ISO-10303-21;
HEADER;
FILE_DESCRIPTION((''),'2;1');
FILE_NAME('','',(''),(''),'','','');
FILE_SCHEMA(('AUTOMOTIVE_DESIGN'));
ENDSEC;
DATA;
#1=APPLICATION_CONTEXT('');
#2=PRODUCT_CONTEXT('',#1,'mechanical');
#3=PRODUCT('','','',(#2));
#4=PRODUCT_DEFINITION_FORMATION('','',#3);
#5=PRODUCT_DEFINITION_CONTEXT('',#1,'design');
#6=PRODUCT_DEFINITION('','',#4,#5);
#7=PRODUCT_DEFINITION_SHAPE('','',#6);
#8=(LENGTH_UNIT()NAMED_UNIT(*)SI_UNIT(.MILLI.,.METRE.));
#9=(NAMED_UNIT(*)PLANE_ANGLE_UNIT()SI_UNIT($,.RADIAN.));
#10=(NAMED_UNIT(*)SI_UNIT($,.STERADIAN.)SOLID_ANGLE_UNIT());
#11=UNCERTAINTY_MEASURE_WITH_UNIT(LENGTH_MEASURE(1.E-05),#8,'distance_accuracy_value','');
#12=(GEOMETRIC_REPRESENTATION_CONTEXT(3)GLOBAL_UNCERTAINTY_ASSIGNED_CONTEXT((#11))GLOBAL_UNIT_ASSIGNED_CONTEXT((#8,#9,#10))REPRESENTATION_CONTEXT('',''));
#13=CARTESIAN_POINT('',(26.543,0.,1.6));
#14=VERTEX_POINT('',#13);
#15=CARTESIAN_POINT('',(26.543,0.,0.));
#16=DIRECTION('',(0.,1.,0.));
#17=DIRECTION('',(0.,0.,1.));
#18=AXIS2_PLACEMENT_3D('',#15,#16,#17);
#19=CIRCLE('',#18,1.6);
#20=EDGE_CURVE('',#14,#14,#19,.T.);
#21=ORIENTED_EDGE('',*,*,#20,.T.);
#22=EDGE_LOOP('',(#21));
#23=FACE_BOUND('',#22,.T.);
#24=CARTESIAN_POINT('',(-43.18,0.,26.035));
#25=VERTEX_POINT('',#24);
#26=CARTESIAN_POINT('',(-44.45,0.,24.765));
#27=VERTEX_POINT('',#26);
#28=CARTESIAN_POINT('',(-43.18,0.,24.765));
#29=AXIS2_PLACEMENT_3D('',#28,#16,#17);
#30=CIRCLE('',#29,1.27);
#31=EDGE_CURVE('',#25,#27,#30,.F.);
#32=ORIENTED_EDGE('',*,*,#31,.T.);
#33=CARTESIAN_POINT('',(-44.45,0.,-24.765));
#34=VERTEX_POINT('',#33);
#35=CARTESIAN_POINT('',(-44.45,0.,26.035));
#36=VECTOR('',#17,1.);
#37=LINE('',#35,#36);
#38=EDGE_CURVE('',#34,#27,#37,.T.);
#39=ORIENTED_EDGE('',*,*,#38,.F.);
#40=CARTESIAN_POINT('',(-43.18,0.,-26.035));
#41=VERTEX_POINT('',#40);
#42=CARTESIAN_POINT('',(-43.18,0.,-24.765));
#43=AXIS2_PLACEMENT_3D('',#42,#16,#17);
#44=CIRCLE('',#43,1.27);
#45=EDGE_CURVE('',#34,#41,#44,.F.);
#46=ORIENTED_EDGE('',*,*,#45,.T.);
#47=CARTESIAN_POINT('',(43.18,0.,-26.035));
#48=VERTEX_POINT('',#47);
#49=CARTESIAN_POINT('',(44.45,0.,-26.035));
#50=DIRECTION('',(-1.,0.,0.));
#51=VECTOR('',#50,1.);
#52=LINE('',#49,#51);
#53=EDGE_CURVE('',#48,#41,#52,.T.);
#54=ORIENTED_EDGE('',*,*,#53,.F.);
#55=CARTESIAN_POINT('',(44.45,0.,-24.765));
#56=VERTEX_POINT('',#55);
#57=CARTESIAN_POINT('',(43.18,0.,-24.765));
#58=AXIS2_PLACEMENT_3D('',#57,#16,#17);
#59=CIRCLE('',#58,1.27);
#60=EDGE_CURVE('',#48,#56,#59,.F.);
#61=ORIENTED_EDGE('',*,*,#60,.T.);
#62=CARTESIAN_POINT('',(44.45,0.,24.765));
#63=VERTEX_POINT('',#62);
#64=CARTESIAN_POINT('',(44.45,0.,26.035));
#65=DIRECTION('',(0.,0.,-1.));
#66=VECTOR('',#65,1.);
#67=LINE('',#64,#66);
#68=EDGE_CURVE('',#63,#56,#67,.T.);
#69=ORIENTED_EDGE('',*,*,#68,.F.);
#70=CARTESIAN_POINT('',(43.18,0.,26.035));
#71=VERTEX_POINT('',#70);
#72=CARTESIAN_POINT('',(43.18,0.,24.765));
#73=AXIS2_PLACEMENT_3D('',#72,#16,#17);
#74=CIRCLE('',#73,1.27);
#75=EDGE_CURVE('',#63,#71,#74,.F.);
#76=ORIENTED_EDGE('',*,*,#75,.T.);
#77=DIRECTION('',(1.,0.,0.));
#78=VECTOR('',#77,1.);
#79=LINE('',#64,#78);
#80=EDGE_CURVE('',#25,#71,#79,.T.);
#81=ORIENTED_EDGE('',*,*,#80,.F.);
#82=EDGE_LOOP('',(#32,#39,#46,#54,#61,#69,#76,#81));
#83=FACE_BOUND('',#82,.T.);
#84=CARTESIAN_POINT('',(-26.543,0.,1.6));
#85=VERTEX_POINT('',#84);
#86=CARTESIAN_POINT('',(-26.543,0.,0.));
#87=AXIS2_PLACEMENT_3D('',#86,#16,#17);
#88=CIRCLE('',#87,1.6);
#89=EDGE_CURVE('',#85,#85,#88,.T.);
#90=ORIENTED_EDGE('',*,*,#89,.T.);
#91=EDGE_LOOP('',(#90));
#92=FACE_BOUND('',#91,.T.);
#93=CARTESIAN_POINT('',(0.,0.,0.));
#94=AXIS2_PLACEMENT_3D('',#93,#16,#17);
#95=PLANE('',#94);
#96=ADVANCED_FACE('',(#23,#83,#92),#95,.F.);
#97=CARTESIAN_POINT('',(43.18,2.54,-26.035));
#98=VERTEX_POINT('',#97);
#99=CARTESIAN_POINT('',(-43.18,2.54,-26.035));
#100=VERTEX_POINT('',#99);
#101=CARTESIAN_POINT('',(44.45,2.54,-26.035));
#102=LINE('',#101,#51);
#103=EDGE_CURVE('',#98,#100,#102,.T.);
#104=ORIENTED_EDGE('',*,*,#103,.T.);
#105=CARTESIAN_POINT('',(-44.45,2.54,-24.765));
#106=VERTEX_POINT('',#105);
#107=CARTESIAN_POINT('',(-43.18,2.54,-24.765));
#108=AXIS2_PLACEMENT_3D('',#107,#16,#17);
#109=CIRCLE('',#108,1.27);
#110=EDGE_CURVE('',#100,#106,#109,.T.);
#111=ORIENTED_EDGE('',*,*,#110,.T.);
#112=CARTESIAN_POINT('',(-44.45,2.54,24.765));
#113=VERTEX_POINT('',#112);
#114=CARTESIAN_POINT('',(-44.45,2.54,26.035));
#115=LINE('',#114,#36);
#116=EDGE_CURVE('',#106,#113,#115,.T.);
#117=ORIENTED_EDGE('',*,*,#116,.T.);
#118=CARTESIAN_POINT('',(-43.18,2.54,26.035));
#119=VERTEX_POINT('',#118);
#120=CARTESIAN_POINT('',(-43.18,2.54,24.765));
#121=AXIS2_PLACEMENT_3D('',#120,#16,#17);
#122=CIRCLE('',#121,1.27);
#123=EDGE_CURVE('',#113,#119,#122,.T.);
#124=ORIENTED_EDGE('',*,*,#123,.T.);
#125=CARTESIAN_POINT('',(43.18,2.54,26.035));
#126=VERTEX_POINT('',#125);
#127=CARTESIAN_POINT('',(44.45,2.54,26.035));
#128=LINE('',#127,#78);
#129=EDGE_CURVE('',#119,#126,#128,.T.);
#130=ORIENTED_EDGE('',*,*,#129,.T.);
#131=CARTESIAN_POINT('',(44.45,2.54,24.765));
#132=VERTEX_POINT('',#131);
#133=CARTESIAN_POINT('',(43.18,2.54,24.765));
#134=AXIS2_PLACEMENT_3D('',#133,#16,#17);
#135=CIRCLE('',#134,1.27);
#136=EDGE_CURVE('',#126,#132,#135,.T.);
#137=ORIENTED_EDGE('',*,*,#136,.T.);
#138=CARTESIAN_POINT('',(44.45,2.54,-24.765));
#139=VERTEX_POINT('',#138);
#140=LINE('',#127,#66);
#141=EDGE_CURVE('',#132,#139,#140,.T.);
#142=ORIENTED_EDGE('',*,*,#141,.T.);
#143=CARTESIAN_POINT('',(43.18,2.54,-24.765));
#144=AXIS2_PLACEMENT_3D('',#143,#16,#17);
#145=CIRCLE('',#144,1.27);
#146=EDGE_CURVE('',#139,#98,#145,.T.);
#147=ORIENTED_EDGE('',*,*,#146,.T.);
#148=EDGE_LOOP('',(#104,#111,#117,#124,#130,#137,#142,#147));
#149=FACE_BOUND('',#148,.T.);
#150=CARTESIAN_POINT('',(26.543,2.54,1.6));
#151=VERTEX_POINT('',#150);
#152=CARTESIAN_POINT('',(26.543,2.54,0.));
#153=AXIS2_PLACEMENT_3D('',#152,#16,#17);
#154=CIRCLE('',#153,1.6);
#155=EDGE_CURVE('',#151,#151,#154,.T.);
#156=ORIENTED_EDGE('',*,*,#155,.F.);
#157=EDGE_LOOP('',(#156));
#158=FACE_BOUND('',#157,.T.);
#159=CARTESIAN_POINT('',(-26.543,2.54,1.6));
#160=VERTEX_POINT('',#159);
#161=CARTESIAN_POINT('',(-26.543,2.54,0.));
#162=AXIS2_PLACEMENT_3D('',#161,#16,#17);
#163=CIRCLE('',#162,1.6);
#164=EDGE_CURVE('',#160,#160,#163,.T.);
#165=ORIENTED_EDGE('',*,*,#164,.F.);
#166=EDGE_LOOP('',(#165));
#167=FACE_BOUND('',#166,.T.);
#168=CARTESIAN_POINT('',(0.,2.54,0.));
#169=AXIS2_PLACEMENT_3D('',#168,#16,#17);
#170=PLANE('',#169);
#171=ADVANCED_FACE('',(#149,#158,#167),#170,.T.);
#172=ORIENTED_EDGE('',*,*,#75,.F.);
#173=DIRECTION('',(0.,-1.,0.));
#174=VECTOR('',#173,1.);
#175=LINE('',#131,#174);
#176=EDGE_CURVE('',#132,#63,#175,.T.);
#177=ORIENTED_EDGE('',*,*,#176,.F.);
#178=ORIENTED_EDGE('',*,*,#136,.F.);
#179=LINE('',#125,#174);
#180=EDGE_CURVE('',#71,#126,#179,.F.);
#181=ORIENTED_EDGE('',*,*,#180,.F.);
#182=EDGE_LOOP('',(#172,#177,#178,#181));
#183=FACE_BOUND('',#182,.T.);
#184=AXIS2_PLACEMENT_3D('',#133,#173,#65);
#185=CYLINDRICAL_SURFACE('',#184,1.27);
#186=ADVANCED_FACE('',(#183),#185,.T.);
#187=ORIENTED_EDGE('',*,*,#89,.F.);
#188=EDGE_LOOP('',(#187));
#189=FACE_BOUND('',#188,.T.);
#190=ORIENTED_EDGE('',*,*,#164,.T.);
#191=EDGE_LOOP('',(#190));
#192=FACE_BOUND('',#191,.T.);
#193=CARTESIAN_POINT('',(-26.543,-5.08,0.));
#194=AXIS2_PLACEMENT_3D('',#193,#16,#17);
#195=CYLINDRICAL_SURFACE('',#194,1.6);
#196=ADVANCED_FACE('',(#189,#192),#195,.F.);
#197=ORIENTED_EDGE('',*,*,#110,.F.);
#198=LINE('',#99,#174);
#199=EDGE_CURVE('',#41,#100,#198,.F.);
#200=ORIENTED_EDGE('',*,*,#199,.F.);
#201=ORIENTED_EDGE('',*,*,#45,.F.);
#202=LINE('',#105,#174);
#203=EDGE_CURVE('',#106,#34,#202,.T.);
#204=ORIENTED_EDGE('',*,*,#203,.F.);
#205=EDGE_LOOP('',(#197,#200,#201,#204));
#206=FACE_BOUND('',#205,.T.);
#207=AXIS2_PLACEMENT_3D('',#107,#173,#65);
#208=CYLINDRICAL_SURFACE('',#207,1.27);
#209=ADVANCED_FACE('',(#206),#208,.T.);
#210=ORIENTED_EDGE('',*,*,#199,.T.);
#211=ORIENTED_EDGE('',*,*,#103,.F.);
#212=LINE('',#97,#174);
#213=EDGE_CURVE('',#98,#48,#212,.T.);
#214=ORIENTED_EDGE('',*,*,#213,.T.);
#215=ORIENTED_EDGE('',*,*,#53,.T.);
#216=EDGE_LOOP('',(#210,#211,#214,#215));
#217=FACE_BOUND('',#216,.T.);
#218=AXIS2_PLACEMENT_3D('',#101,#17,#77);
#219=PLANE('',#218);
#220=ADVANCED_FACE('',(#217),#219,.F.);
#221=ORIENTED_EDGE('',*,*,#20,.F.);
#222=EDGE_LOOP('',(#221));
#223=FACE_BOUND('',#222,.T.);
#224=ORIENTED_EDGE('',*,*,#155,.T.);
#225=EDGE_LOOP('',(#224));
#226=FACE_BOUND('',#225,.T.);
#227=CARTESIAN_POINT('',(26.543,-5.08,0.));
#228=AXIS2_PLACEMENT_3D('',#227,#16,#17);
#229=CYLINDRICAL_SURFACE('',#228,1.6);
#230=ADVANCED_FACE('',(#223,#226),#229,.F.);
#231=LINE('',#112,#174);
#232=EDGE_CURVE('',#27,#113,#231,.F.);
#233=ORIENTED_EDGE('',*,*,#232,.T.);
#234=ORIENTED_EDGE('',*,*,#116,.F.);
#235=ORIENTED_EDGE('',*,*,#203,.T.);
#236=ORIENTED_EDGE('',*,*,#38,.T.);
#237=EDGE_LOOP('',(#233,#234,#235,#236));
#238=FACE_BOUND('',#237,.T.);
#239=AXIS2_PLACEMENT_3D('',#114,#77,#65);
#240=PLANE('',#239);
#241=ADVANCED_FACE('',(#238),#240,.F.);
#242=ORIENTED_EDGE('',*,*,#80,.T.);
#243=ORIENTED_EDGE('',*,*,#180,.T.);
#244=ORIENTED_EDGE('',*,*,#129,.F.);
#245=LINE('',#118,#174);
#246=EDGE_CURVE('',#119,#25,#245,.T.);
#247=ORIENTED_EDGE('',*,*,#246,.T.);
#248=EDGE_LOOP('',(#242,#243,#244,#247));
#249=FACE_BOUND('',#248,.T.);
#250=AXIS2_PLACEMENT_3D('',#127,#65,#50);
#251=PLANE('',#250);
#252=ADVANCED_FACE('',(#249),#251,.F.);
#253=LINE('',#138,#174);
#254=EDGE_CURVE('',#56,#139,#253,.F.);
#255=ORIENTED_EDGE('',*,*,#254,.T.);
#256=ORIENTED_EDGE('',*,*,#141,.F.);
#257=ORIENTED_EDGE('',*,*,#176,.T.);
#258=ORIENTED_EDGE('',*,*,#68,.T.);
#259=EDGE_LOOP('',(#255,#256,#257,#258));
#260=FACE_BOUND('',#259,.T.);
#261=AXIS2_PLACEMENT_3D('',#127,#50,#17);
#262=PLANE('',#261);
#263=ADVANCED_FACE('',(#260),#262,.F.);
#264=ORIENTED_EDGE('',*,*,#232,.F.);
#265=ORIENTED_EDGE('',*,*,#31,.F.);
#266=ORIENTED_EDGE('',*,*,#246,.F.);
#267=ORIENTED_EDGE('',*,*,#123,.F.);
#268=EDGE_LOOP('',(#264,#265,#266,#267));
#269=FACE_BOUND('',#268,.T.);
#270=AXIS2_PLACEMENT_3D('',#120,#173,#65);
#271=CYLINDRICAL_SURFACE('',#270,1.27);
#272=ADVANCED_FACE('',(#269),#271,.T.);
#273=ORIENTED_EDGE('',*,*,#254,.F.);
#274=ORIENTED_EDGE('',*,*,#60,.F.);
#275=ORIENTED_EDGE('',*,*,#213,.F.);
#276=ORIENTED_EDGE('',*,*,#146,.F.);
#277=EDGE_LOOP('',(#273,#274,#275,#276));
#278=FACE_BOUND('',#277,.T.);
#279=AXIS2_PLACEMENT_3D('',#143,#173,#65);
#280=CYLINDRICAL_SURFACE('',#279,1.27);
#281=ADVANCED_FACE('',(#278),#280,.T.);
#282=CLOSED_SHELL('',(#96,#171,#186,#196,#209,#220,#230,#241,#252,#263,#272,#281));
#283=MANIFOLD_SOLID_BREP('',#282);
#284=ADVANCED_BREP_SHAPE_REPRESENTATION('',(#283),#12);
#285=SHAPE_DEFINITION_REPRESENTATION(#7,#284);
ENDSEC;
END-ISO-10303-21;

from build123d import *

# Parameters (mm, degrees)
SKETCH1_W           = 88.9
SKETCH1_H           = 52.07
BOSS_EXTRUDE1_DEPTH = 2.54
FILLET1_R           = 1.27
SKETCH2_R           = 1.6
CUT_EXTRUDE1_DEPTH  = 7.62


with BuildPart() as part:
    # Sketch1 → Boss-Extrude1 (new body)
    with BuildSketch(Plane(origin=(0, 0, 0), x_dir=(1, 0, 0), z_dir=(0, 1, 0))):
        Rectangle(SKETCH1_W, SKETCH1_H)
    extrude(amount=BOSS_EXTRUDE1_DEPTH)

    # Fillet1
    fillet1_edges = [part.edges().sort_by_distance(p)[0] for p in [
        (-44.45, 1.27, -26.035),
        (44.45, 1.27, -26.035),
        (44.45, 1.27, 26.035),
        (-44.45, 1.27, 26.035),
    ]]
    fillet(fillet1_edges, radius=FILLET1_R)

    # Sketch2 → Cut-Extrude1 (cut)
    with BuildSketch(Plane(origin=(0, 2.54, 0), x_dir=(1, 0, 0), z_dir=(0, 1, 0))):
        with Locations((-26.543, 0)):
            Circle(SKETCH2_R)
        with Locations((26.543, 0)):
            Circle(SKETCH2_R)
    extrude(amount=-CUT_EXTRUDE1_DEPTH, mode=Mode.SUBTRACT)


solid = part.part
